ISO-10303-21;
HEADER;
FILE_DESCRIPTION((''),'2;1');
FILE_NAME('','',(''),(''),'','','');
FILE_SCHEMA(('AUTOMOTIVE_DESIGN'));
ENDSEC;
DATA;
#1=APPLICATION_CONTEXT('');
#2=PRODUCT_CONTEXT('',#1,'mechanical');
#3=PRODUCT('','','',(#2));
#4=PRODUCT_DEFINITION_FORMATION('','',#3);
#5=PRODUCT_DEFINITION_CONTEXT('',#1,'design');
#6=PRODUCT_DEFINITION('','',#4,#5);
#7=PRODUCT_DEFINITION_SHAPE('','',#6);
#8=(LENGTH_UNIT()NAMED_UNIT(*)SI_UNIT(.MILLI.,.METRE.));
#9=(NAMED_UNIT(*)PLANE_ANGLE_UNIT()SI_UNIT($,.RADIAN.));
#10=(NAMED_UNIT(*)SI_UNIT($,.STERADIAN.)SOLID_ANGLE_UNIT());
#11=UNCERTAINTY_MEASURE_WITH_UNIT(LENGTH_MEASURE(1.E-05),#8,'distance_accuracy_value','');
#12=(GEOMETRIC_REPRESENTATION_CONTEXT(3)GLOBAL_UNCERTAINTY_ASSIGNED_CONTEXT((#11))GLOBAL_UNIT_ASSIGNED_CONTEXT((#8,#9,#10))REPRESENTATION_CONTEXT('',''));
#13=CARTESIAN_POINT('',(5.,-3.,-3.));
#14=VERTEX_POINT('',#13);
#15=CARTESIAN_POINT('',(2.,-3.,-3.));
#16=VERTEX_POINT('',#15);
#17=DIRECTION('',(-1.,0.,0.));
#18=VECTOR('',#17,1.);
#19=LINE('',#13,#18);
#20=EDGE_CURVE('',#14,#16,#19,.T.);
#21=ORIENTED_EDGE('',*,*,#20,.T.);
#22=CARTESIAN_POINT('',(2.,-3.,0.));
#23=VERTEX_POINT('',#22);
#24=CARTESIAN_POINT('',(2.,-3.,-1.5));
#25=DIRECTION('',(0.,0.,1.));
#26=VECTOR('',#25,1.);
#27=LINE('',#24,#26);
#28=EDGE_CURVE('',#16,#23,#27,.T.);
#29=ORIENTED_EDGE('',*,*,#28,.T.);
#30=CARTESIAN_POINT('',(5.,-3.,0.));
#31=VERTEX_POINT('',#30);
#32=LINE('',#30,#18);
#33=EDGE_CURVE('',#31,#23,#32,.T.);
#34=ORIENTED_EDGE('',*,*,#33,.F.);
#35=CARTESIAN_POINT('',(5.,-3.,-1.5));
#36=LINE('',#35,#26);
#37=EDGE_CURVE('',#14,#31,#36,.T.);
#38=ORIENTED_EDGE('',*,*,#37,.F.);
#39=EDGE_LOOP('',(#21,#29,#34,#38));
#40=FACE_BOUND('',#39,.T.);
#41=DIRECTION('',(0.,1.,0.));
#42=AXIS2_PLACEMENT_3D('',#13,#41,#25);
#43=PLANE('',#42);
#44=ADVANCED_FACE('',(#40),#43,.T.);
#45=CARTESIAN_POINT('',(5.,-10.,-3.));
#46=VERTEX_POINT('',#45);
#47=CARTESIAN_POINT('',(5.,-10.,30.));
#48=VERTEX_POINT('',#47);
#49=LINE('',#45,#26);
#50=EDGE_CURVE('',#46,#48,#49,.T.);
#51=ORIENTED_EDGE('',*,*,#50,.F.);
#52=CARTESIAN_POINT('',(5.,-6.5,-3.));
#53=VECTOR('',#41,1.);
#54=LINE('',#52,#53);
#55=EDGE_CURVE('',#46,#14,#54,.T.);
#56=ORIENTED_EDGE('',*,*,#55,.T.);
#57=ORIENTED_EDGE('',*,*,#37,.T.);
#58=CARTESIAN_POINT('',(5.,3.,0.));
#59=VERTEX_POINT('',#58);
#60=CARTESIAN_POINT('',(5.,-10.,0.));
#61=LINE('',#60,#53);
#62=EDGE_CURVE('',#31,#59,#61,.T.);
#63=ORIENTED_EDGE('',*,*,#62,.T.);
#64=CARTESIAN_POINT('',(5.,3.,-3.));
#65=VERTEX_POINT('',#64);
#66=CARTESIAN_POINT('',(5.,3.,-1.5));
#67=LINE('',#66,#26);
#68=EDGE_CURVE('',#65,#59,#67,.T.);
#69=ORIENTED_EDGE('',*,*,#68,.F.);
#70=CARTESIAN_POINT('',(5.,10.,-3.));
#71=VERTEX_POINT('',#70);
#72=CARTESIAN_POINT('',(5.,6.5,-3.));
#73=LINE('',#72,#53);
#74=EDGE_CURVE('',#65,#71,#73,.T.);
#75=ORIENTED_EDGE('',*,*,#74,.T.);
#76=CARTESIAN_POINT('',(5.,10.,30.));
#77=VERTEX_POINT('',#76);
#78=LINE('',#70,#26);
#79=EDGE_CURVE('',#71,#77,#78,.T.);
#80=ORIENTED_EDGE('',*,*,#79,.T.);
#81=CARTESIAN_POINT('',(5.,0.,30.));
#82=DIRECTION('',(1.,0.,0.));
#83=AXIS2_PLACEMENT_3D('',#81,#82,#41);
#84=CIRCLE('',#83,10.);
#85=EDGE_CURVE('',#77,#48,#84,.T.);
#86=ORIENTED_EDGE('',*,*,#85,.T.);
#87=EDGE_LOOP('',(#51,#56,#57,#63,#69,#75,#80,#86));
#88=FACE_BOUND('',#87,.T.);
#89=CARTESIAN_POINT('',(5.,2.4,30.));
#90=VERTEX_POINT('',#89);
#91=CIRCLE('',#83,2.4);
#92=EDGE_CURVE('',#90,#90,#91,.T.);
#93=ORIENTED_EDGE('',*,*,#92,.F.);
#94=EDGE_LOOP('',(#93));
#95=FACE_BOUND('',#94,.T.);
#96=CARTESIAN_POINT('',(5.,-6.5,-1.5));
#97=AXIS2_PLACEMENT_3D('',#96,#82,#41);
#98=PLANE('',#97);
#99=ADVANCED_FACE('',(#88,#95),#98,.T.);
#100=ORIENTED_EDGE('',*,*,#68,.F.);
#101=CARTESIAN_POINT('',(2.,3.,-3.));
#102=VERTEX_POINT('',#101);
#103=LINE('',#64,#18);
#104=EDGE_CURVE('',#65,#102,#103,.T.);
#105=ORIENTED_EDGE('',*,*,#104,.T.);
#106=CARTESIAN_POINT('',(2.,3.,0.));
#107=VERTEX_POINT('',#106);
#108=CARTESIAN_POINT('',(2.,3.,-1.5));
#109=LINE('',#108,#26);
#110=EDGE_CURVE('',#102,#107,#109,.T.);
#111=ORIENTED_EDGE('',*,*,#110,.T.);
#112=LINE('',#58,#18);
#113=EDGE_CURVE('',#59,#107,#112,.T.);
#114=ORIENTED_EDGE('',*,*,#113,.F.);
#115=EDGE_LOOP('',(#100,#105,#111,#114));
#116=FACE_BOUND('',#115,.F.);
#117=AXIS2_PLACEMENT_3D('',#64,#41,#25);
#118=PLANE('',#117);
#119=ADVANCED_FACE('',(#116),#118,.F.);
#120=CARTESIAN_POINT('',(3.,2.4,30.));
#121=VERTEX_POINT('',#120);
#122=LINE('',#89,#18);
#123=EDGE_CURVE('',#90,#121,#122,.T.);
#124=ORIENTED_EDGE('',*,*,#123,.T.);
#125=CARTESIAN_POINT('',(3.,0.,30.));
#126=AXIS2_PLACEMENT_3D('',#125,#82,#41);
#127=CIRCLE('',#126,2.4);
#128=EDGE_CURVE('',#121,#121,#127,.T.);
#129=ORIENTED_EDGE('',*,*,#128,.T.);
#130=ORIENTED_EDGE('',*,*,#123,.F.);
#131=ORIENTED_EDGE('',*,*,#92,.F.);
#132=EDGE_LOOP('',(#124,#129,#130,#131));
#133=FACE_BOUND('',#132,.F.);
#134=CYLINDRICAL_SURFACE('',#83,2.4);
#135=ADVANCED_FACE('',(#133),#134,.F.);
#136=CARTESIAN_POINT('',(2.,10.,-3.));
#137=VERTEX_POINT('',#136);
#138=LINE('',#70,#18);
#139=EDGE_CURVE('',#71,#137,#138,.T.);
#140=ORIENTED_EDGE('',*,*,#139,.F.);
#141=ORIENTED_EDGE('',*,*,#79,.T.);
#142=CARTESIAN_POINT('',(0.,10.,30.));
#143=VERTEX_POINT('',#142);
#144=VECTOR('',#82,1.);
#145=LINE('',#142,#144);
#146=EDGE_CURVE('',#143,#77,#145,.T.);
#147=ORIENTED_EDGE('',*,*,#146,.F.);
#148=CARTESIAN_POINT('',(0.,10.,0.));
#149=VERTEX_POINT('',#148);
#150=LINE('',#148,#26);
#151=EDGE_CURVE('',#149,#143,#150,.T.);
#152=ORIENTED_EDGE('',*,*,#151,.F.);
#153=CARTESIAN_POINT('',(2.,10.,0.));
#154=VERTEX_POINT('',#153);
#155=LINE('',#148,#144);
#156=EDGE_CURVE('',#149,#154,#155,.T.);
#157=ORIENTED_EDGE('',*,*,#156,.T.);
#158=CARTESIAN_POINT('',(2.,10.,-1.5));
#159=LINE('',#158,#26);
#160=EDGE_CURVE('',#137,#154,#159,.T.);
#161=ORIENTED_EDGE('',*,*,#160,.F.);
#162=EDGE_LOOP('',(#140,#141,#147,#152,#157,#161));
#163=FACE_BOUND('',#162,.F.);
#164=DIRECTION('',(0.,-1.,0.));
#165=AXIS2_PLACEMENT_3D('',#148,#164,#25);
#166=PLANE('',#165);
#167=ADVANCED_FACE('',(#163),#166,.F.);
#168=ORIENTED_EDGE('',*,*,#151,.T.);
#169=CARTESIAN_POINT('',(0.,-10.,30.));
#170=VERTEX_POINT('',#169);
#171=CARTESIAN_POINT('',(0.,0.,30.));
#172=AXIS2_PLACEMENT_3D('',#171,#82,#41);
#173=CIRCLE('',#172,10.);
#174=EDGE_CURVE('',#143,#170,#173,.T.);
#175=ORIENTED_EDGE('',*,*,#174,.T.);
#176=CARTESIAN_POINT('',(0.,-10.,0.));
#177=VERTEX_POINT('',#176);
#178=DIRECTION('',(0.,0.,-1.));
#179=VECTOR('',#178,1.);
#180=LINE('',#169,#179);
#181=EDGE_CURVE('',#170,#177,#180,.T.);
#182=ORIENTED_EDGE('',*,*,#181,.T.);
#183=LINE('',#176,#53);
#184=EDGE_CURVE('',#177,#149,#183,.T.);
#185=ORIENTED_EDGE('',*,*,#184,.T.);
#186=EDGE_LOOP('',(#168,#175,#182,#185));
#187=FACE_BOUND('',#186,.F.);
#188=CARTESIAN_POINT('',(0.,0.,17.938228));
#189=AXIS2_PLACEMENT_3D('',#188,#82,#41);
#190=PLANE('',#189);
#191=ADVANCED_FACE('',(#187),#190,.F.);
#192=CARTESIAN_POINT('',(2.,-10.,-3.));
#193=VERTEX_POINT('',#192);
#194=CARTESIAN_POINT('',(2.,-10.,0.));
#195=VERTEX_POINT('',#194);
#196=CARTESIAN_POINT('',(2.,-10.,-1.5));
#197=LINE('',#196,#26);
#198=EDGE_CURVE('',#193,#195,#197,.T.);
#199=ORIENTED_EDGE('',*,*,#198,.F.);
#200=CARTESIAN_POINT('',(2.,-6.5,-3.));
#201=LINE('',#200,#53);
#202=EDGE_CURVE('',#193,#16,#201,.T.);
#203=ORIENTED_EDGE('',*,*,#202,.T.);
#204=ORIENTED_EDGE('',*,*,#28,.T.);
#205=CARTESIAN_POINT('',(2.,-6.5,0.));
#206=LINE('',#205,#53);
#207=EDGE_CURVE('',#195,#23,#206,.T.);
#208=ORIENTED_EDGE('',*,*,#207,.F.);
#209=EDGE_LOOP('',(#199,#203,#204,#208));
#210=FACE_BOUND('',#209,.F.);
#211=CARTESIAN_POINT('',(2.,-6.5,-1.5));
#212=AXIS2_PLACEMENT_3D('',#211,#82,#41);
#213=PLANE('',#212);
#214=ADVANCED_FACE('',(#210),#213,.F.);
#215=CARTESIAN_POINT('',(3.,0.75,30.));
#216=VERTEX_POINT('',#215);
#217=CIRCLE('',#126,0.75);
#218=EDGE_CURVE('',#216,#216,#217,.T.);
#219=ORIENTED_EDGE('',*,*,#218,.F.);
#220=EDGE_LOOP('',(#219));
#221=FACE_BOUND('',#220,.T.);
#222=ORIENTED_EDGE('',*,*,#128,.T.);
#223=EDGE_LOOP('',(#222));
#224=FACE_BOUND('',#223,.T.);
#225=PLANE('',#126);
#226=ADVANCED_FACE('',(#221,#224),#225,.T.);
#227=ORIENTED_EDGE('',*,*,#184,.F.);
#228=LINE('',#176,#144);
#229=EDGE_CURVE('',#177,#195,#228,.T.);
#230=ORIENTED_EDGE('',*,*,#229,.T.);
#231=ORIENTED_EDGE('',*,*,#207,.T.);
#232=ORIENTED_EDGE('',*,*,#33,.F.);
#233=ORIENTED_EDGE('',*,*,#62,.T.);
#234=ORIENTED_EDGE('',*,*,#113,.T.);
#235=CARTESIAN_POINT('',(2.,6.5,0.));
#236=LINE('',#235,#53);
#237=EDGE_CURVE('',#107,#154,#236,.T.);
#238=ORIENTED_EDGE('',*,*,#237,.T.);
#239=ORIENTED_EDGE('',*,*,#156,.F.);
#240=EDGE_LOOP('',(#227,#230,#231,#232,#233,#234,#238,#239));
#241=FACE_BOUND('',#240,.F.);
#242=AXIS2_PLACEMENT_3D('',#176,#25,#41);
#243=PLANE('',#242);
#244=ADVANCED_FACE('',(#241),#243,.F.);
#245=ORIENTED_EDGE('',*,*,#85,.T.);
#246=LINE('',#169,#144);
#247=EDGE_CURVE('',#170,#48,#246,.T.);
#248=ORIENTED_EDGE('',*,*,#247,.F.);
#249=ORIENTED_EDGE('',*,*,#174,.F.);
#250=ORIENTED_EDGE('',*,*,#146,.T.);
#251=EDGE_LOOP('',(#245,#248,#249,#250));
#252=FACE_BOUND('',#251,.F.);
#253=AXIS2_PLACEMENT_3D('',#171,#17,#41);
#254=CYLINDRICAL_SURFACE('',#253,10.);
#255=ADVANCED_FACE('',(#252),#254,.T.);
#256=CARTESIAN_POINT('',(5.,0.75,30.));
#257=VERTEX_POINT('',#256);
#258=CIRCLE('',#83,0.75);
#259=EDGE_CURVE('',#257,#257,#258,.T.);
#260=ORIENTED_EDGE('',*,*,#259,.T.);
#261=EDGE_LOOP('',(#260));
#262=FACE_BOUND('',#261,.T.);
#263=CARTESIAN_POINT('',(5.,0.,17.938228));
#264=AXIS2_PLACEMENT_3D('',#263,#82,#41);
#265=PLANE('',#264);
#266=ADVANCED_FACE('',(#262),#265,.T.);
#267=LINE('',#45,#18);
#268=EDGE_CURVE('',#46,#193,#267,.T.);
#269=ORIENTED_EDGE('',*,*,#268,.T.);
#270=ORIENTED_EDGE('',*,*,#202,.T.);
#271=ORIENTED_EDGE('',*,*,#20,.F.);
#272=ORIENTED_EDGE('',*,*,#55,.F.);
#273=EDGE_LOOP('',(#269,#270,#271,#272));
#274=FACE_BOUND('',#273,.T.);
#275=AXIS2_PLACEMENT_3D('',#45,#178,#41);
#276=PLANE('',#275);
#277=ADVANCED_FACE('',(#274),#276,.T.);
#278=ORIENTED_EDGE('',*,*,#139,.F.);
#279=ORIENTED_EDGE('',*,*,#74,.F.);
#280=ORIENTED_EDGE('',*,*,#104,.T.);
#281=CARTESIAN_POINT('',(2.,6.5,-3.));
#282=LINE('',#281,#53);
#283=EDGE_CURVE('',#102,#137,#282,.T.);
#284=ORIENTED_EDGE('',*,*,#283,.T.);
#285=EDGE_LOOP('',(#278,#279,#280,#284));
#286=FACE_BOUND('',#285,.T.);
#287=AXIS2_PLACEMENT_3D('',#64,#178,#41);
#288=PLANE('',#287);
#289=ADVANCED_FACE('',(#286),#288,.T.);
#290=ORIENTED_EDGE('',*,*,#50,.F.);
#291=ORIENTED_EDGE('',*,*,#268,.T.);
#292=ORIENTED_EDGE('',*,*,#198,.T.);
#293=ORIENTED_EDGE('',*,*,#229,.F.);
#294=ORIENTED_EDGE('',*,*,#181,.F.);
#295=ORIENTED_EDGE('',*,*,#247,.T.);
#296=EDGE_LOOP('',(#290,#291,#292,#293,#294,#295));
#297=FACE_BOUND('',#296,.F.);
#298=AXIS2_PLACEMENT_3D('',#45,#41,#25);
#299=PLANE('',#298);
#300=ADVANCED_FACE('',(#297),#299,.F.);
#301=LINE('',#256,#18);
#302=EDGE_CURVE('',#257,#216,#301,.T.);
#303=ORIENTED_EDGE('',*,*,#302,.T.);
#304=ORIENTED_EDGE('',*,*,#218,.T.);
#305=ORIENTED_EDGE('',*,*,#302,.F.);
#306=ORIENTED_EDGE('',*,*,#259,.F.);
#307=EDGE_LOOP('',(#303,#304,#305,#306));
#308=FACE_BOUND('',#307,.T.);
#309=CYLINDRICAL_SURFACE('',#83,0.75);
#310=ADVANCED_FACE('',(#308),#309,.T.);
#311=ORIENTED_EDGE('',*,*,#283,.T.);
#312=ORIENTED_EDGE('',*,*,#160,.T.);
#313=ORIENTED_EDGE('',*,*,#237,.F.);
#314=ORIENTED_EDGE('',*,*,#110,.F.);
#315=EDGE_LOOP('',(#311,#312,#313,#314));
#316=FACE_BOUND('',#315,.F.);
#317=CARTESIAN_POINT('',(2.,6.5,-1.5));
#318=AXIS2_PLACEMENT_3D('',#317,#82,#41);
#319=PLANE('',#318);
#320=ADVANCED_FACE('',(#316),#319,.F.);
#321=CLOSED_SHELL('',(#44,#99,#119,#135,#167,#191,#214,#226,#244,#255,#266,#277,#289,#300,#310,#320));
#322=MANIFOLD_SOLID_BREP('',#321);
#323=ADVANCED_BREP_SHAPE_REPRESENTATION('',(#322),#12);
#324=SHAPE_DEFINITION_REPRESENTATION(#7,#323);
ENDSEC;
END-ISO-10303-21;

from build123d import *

# Parameters (mm, degrees)
F1_DEPTH = 5
F2_R     = 2.4
F2_R_2   = 0.75
F3_DEPTH = 2
F4_W     = 7
F4_H     = 3
F5_DEPTH = 3


with BuildPart() as f1:
    # F0 (on Right) → F1 (new body)
    with BuildSketch(Plane.YZ):
        with BuildLine():
            ThreePointArc((10, 30), (0, 40), (-10, 30))
            Line((-10, 30), (-10, 0))
            Line((-10, 0), (10, 0))
            Line((10, 0), (10, 30))
        make_face()
    extrude(amount=F1_DEPTH)

    # F2 (on face) → F3 (cut)
    with BuildSketch(Plane.YZ.offset(5)):
        with Locations((0, 30)):
            Circle(F2_R)
        with Locations((0, 30)):
            Circle(F2_R_2, mode=Mode.SUBTRACT)
    extrude(amount=-F3_DEPTH, mode=Mode.SUBTRACT)

    # F4 (on face) → F5 (join)
    with BuildSketch(Plane.YZ.offset(5)):
        with Locations((-6.5, -1.5)):
            Rectangle(F4_W, F4_H)
        with Locations((6.5, -1.5)):
            Rectangle(F4_W, F4_H)
    extrude(amount=-F5_DEPTH)


solid = f1.part
